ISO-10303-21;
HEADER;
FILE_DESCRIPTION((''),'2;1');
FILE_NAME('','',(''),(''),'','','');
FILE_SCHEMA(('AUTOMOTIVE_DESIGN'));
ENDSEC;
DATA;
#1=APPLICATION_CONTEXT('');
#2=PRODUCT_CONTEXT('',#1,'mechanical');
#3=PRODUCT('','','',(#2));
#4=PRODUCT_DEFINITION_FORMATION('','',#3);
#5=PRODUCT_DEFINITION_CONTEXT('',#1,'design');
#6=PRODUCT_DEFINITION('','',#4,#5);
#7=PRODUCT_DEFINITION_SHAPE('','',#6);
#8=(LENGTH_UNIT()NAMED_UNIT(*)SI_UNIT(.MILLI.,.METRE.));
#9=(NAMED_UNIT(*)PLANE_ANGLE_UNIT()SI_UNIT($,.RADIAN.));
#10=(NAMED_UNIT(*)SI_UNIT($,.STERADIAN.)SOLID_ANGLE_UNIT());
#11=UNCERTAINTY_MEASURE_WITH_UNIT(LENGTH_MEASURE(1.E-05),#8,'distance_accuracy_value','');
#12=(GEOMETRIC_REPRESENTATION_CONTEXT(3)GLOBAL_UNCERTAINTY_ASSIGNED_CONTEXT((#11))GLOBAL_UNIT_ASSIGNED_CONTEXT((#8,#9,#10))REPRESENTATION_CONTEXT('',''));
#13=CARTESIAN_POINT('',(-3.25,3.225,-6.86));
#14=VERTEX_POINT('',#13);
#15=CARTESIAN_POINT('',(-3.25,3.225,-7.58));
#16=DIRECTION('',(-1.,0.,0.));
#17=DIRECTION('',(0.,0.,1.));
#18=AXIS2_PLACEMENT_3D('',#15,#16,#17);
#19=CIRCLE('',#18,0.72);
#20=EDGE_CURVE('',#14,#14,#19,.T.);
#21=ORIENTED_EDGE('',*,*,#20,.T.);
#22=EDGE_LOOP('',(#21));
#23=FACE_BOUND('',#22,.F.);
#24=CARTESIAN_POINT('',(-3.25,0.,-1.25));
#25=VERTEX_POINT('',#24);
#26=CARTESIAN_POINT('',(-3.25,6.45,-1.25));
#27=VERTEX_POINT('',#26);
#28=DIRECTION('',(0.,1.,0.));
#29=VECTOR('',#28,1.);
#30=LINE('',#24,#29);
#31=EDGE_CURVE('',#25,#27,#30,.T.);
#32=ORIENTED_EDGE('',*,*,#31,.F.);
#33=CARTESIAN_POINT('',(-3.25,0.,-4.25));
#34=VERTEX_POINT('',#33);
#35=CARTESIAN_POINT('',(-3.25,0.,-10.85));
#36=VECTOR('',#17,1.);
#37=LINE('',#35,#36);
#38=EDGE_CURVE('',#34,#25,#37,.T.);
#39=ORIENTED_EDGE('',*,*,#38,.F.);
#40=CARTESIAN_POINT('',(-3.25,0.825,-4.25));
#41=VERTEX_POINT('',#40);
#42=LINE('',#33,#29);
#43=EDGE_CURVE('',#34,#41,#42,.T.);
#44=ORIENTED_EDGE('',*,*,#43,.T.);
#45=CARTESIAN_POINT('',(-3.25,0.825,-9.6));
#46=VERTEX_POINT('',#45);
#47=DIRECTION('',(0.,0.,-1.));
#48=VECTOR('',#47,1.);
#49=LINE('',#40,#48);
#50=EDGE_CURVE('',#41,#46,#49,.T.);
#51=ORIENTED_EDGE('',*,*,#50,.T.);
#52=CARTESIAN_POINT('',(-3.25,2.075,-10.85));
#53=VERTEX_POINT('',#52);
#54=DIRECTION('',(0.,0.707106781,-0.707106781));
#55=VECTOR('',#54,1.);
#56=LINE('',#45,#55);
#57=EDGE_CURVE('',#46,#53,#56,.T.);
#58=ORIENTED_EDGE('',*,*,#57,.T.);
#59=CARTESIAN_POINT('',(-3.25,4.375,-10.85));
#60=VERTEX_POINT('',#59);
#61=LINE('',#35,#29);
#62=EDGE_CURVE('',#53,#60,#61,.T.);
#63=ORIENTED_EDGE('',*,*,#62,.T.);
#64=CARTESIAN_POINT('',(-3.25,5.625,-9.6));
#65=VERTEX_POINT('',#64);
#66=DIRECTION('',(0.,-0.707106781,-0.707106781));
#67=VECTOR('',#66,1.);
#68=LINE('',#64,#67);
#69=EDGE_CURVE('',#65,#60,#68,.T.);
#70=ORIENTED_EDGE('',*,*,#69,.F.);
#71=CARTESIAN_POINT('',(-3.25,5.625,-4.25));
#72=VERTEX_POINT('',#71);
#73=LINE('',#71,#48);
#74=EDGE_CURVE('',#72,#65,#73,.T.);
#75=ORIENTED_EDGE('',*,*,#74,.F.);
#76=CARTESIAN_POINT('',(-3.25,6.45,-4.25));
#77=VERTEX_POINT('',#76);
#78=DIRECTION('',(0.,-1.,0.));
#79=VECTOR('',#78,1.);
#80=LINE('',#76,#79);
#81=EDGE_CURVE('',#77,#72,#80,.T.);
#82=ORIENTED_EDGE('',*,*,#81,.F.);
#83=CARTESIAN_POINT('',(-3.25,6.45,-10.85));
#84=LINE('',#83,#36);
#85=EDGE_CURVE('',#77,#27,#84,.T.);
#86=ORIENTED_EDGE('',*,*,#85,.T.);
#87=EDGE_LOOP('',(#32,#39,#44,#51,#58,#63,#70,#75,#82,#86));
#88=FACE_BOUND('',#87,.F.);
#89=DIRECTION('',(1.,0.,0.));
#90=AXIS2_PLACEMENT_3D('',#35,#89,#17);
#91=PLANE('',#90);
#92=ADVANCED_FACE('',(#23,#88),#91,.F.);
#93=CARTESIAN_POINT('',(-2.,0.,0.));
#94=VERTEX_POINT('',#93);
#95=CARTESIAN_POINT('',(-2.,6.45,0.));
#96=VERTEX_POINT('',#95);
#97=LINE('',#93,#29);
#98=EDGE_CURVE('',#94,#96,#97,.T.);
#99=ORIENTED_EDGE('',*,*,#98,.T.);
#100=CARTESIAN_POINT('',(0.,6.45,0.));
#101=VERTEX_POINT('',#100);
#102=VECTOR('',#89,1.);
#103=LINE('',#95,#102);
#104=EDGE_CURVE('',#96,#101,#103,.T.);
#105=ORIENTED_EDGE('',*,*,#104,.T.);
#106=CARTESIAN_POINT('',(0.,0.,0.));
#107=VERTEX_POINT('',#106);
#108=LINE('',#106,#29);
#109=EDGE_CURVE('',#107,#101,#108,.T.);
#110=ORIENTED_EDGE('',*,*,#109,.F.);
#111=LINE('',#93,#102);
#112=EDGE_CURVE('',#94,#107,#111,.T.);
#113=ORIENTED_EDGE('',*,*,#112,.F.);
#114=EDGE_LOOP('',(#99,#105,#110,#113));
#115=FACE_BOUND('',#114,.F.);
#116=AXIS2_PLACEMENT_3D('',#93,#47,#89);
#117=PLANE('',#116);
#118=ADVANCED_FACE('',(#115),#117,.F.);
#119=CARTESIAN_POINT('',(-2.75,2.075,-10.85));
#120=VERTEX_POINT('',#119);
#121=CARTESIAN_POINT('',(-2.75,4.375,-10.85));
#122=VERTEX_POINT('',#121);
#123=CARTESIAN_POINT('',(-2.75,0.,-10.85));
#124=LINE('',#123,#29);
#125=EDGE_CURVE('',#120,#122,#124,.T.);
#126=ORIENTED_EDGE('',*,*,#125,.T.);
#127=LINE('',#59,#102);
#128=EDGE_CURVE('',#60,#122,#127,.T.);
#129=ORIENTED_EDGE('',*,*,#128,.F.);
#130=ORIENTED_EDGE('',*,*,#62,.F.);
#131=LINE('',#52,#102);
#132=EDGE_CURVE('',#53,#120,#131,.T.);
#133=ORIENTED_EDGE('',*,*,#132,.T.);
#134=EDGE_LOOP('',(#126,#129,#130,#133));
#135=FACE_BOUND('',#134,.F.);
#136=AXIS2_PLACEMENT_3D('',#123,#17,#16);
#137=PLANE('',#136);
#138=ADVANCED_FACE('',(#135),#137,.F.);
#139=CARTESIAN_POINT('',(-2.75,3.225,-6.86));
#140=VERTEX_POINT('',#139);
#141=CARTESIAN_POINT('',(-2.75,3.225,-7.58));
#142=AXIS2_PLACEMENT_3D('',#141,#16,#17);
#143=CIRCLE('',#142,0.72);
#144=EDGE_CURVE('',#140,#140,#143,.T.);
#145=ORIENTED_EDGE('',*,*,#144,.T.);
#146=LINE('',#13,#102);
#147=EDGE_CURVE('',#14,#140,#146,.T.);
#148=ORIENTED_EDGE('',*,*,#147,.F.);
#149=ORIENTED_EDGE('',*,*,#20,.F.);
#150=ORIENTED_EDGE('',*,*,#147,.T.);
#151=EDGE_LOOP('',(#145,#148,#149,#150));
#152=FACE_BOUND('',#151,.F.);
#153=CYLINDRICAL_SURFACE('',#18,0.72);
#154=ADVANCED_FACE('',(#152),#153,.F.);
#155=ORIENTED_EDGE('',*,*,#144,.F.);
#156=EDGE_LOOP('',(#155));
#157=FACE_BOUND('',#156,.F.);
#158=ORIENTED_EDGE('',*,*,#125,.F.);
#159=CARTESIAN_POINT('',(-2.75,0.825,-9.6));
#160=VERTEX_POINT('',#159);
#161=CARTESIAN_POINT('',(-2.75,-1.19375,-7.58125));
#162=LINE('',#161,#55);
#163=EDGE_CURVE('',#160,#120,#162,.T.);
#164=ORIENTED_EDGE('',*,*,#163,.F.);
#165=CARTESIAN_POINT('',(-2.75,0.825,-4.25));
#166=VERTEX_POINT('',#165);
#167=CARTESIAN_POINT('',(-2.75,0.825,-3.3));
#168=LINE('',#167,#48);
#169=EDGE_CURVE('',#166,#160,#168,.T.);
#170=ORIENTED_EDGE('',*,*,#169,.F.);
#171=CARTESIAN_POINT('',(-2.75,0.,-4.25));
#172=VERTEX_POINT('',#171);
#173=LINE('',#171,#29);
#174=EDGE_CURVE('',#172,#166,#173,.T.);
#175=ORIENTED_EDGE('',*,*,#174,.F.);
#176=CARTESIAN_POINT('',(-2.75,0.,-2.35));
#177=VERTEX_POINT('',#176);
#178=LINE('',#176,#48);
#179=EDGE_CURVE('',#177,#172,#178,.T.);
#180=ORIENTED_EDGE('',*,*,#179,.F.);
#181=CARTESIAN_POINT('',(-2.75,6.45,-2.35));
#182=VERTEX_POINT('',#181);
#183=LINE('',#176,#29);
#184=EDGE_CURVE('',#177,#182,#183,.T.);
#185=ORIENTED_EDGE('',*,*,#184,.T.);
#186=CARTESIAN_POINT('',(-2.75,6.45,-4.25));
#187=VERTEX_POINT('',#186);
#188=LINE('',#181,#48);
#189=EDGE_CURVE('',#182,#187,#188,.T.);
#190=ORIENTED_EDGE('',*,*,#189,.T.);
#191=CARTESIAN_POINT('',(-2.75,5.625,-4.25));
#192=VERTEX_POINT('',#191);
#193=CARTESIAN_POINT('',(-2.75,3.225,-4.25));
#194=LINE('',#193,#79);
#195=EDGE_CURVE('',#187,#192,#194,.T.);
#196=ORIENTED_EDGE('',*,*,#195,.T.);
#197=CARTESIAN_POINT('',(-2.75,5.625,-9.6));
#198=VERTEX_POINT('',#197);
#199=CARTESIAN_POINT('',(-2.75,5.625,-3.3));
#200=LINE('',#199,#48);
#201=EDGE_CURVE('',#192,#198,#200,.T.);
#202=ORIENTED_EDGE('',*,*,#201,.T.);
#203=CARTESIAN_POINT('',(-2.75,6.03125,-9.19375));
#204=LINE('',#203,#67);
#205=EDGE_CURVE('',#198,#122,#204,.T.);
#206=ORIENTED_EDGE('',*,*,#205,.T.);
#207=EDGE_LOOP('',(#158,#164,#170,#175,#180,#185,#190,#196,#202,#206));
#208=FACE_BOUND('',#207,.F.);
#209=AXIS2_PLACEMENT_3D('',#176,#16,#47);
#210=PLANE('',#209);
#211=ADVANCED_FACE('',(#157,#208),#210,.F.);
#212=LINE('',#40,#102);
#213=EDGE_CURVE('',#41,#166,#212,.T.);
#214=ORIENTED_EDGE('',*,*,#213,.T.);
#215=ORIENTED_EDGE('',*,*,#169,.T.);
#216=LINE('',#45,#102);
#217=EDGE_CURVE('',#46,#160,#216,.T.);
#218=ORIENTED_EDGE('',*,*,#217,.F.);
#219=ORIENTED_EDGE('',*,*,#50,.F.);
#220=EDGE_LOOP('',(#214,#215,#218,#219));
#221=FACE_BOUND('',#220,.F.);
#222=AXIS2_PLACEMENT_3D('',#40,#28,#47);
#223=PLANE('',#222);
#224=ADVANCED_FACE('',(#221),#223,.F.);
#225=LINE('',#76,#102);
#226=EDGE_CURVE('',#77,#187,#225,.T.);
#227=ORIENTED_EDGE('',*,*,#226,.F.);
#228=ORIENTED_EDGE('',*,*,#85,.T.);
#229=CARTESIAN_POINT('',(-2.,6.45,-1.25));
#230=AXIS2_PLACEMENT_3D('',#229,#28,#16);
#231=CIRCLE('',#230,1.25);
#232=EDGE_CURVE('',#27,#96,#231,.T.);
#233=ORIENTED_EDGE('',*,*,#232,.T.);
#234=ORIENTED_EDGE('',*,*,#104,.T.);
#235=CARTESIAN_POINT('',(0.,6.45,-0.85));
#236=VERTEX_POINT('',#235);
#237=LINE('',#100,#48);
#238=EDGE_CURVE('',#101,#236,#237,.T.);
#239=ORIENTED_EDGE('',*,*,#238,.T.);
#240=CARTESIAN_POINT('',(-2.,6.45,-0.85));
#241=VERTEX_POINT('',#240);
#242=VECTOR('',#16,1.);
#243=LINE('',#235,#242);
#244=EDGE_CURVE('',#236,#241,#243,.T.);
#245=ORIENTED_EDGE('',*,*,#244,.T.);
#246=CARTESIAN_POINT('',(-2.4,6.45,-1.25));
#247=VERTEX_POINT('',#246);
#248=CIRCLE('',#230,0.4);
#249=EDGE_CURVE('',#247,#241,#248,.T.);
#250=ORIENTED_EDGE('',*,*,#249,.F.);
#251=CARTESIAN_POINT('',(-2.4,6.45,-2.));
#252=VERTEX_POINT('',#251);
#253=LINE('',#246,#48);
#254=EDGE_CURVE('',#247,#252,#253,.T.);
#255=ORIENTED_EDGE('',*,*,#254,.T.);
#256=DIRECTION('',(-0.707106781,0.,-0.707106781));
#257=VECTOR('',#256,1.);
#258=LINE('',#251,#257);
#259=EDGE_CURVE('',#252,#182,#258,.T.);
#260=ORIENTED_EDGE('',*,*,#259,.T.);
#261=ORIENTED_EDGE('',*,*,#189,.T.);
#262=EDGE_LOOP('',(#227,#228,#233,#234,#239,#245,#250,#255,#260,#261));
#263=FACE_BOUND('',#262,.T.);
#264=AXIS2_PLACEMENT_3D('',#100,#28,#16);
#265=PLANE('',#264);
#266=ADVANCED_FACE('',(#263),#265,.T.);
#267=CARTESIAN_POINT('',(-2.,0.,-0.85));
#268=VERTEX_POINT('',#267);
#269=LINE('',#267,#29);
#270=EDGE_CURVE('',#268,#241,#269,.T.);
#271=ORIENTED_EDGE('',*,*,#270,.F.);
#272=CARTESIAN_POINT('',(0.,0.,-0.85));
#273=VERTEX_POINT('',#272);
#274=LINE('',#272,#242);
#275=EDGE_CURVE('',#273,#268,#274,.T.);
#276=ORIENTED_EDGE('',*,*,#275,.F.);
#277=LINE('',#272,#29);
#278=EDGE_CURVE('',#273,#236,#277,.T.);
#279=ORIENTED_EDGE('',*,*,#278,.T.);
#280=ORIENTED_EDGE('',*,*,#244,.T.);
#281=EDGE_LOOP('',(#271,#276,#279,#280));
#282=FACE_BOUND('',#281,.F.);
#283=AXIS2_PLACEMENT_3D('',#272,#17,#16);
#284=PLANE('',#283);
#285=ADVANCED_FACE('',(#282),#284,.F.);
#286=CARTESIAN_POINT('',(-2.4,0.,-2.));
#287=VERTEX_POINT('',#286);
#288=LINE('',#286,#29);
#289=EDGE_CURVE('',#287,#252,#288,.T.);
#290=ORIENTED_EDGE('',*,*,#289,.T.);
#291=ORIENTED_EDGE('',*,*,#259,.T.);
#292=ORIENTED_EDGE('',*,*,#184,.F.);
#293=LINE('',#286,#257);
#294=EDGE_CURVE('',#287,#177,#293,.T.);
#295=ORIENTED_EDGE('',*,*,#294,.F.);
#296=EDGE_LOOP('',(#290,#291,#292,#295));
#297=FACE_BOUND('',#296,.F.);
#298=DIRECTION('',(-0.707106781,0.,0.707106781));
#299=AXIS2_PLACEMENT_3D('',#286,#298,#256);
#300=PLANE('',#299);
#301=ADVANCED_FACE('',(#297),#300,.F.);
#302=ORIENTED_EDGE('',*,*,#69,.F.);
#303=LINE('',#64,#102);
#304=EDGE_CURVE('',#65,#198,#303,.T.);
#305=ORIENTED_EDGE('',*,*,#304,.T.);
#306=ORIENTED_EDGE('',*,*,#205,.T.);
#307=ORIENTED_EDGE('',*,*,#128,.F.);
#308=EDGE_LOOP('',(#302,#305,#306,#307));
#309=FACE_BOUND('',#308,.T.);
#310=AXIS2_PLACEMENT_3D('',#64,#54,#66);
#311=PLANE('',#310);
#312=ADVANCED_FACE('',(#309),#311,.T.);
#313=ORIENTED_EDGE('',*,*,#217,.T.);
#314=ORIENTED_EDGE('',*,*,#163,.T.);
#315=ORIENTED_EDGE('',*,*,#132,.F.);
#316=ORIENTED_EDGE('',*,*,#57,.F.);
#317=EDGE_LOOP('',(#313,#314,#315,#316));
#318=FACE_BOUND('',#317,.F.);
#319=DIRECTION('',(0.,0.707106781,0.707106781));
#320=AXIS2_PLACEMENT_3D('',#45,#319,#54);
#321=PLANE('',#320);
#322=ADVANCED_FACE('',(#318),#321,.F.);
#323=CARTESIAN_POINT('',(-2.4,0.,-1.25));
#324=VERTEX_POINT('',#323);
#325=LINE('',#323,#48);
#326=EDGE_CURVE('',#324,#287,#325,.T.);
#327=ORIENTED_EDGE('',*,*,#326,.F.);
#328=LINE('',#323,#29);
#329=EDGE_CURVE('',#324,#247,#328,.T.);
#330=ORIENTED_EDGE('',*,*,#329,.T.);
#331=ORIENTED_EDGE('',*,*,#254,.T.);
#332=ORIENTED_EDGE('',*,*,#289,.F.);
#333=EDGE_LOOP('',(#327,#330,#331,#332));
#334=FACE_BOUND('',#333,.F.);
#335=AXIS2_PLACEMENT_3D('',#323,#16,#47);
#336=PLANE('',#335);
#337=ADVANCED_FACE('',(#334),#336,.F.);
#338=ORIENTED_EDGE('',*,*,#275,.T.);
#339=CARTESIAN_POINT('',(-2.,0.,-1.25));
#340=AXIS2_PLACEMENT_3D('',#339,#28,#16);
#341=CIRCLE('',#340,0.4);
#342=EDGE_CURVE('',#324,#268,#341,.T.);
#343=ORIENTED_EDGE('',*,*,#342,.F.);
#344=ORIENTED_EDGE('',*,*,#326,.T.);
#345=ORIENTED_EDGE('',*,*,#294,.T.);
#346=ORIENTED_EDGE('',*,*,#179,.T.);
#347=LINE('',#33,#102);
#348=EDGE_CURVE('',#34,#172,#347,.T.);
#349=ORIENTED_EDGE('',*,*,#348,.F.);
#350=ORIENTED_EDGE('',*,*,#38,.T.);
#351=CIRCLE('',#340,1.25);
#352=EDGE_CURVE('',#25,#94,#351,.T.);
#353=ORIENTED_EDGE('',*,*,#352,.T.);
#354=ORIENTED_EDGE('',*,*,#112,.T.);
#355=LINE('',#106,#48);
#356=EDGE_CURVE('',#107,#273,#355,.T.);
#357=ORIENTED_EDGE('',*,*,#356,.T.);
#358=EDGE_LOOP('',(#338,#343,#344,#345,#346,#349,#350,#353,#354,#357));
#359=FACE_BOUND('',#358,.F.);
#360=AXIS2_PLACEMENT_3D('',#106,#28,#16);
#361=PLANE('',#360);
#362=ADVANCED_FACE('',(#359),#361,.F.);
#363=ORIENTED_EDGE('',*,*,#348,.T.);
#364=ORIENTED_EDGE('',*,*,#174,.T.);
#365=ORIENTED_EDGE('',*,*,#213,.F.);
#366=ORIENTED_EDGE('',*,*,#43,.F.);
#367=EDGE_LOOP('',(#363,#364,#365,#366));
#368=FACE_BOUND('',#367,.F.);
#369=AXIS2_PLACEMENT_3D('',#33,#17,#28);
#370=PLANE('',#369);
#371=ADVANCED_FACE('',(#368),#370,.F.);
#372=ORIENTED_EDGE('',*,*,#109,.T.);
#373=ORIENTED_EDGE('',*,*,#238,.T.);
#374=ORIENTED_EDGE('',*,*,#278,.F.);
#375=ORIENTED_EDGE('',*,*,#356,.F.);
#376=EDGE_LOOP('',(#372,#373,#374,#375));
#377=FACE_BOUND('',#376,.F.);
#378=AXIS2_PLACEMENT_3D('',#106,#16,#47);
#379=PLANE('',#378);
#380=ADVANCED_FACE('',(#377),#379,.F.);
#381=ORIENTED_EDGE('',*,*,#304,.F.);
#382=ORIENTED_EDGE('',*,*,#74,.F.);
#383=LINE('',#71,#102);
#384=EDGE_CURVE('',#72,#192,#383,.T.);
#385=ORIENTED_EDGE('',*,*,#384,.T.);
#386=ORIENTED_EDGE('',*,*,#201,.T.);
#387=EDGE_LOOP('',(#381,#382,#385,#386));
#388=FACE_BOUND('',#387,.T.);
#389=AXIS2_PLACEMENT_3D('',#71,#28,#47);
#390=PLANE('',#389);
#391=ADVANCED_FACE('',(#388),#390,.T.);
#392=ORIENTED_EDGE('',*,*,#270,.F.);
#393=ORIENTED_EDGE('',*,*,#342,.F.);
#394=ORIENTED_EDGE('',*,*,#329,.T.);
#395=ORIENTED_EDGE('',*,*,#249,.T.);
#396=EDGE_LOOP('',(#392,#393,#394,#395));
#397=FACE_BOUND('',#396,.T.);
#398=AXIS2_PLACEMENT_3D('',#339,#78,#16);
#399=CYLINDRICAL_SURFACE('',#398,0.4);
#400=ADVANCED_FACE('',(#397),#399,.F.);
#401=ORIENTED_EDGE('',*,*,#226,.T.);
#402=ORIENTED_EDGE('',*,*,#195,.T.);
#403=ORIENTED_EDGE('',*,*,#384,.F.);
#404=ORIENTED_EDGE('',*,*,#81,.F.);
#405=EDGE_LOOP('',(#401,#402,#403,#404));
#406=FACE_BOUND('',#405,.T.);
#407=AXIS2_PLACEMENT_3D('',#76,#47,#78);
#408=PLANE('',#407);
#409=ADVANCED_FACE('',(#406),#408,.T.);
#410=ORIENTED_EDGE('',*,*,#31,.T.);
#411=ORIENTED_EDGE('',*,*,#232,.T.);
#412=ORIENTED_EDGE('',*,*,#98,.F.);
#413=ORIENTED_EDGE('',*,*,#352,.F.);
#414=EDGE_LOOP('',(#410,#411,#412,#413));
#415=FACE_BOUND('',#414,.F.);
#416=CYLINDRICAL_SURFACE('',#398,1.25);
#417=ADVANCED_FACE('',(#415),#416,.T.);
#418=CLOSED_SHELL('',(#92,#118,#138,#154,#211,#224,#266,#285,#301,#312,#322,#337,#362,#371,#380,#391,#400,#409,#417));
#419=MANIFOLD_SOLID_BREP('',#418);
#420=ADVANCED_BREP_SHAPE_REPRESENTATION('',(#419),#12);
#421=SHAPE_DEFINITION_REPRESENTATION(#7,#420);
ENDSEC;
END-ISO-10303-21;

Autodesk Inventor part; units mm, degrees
ref_plane "YZ Plane" through (0, 0, 0) normal (1, 0, 0) x (0, 1, 0)
ref_plane "XZ Plane" through (0, 0, 0) normal (0, 1, 0) x (-1, 0, 0)
ref_plane "XY Plane" through (0, 0, 0) normal (0, 0, 1) x (1, 0, 0)
sketch "Sketch1" plane through (0, 0, 0) normal (0, 1, 0) x (-1, 0, 0)
  line L0 (0, 0) -> (0, -0.85)
  line L1 (0, -0.85) -> (2, -0.85)
  line L2 (2.4, -1.25) -> (2.4, -2)
  line L3 (2.4, -2) -> (2.75, -2.35)
  line L4 (2.75, -2.35) -> (2.75, -10.85)
  line L5 (2.75, -10.85) -> (3.25, -10.85)
  line L6 (3.25, -10.85) -> (3.25, -1.25)
  line L7 (2, 0) -> (0, 0)
  arc A0 (3.25, -1.25) -> (2, 0) centre (2, -1.25) ccw
  arc A1 (2.4, -1.25) -> (2, -0.85) centre (2, -1.25) ccw
  dimension "d1" = 0.85
  dimension "d2" = 0.5
  dimension "d3" = 3.25
  dimension "d4" = 10.85
  dimension "d5" = 1.25
  dimension "d6" = 135
  dimension "d7" = 8.5
extrude "Extrusion1" add sketch "Sketch1" along normal blind 6.45
sketch "Sketch2" plane through (-3.25, 0, -10.85) normal (-1, 0, 0) x (0, 0, 1)
  line L0 (0, 0) -> (9.6, 0) projected
  line L1 (0, 0) -> (0, 6.45) projected
  line L2 (0, 6.45) -> (9.6, 6.45) projected
  line L3 (6.6, 0) -> (6.6, 0.825)
  line L4 (6.6, 0.825) -> (1.25, 0.825)
  line L5 (1.25, 0.825) -> (0, 2.075)
  line L6 (6.6, 6.45) -> (6.6, 5.625)
  line L7 (6.6, 5.625) -> (1.25, 5.625)
  line L8 (1.25, 5.625) -> (0, 4.375)
  line L9 (0, 0) -> (0, 6.45) projected
  line L10 (10.85, 0) -> (10.85, 6.45) projected
  circle A0 centre (3.27, 3.225) radius 0.72
  dimension "d10" = 135
  dimension "d11" = 4.8
  dimension "d12" = 1.25
  dimension "d13" = 4.25
  dimension "d14" = 1.44
  dimension "d15" = 3.27
extrude "Extrusion2" cut sketch "Sketch2" against normal blind 6.45
properties part number "COM_Contact" material "Brass, Soft Yellow"
